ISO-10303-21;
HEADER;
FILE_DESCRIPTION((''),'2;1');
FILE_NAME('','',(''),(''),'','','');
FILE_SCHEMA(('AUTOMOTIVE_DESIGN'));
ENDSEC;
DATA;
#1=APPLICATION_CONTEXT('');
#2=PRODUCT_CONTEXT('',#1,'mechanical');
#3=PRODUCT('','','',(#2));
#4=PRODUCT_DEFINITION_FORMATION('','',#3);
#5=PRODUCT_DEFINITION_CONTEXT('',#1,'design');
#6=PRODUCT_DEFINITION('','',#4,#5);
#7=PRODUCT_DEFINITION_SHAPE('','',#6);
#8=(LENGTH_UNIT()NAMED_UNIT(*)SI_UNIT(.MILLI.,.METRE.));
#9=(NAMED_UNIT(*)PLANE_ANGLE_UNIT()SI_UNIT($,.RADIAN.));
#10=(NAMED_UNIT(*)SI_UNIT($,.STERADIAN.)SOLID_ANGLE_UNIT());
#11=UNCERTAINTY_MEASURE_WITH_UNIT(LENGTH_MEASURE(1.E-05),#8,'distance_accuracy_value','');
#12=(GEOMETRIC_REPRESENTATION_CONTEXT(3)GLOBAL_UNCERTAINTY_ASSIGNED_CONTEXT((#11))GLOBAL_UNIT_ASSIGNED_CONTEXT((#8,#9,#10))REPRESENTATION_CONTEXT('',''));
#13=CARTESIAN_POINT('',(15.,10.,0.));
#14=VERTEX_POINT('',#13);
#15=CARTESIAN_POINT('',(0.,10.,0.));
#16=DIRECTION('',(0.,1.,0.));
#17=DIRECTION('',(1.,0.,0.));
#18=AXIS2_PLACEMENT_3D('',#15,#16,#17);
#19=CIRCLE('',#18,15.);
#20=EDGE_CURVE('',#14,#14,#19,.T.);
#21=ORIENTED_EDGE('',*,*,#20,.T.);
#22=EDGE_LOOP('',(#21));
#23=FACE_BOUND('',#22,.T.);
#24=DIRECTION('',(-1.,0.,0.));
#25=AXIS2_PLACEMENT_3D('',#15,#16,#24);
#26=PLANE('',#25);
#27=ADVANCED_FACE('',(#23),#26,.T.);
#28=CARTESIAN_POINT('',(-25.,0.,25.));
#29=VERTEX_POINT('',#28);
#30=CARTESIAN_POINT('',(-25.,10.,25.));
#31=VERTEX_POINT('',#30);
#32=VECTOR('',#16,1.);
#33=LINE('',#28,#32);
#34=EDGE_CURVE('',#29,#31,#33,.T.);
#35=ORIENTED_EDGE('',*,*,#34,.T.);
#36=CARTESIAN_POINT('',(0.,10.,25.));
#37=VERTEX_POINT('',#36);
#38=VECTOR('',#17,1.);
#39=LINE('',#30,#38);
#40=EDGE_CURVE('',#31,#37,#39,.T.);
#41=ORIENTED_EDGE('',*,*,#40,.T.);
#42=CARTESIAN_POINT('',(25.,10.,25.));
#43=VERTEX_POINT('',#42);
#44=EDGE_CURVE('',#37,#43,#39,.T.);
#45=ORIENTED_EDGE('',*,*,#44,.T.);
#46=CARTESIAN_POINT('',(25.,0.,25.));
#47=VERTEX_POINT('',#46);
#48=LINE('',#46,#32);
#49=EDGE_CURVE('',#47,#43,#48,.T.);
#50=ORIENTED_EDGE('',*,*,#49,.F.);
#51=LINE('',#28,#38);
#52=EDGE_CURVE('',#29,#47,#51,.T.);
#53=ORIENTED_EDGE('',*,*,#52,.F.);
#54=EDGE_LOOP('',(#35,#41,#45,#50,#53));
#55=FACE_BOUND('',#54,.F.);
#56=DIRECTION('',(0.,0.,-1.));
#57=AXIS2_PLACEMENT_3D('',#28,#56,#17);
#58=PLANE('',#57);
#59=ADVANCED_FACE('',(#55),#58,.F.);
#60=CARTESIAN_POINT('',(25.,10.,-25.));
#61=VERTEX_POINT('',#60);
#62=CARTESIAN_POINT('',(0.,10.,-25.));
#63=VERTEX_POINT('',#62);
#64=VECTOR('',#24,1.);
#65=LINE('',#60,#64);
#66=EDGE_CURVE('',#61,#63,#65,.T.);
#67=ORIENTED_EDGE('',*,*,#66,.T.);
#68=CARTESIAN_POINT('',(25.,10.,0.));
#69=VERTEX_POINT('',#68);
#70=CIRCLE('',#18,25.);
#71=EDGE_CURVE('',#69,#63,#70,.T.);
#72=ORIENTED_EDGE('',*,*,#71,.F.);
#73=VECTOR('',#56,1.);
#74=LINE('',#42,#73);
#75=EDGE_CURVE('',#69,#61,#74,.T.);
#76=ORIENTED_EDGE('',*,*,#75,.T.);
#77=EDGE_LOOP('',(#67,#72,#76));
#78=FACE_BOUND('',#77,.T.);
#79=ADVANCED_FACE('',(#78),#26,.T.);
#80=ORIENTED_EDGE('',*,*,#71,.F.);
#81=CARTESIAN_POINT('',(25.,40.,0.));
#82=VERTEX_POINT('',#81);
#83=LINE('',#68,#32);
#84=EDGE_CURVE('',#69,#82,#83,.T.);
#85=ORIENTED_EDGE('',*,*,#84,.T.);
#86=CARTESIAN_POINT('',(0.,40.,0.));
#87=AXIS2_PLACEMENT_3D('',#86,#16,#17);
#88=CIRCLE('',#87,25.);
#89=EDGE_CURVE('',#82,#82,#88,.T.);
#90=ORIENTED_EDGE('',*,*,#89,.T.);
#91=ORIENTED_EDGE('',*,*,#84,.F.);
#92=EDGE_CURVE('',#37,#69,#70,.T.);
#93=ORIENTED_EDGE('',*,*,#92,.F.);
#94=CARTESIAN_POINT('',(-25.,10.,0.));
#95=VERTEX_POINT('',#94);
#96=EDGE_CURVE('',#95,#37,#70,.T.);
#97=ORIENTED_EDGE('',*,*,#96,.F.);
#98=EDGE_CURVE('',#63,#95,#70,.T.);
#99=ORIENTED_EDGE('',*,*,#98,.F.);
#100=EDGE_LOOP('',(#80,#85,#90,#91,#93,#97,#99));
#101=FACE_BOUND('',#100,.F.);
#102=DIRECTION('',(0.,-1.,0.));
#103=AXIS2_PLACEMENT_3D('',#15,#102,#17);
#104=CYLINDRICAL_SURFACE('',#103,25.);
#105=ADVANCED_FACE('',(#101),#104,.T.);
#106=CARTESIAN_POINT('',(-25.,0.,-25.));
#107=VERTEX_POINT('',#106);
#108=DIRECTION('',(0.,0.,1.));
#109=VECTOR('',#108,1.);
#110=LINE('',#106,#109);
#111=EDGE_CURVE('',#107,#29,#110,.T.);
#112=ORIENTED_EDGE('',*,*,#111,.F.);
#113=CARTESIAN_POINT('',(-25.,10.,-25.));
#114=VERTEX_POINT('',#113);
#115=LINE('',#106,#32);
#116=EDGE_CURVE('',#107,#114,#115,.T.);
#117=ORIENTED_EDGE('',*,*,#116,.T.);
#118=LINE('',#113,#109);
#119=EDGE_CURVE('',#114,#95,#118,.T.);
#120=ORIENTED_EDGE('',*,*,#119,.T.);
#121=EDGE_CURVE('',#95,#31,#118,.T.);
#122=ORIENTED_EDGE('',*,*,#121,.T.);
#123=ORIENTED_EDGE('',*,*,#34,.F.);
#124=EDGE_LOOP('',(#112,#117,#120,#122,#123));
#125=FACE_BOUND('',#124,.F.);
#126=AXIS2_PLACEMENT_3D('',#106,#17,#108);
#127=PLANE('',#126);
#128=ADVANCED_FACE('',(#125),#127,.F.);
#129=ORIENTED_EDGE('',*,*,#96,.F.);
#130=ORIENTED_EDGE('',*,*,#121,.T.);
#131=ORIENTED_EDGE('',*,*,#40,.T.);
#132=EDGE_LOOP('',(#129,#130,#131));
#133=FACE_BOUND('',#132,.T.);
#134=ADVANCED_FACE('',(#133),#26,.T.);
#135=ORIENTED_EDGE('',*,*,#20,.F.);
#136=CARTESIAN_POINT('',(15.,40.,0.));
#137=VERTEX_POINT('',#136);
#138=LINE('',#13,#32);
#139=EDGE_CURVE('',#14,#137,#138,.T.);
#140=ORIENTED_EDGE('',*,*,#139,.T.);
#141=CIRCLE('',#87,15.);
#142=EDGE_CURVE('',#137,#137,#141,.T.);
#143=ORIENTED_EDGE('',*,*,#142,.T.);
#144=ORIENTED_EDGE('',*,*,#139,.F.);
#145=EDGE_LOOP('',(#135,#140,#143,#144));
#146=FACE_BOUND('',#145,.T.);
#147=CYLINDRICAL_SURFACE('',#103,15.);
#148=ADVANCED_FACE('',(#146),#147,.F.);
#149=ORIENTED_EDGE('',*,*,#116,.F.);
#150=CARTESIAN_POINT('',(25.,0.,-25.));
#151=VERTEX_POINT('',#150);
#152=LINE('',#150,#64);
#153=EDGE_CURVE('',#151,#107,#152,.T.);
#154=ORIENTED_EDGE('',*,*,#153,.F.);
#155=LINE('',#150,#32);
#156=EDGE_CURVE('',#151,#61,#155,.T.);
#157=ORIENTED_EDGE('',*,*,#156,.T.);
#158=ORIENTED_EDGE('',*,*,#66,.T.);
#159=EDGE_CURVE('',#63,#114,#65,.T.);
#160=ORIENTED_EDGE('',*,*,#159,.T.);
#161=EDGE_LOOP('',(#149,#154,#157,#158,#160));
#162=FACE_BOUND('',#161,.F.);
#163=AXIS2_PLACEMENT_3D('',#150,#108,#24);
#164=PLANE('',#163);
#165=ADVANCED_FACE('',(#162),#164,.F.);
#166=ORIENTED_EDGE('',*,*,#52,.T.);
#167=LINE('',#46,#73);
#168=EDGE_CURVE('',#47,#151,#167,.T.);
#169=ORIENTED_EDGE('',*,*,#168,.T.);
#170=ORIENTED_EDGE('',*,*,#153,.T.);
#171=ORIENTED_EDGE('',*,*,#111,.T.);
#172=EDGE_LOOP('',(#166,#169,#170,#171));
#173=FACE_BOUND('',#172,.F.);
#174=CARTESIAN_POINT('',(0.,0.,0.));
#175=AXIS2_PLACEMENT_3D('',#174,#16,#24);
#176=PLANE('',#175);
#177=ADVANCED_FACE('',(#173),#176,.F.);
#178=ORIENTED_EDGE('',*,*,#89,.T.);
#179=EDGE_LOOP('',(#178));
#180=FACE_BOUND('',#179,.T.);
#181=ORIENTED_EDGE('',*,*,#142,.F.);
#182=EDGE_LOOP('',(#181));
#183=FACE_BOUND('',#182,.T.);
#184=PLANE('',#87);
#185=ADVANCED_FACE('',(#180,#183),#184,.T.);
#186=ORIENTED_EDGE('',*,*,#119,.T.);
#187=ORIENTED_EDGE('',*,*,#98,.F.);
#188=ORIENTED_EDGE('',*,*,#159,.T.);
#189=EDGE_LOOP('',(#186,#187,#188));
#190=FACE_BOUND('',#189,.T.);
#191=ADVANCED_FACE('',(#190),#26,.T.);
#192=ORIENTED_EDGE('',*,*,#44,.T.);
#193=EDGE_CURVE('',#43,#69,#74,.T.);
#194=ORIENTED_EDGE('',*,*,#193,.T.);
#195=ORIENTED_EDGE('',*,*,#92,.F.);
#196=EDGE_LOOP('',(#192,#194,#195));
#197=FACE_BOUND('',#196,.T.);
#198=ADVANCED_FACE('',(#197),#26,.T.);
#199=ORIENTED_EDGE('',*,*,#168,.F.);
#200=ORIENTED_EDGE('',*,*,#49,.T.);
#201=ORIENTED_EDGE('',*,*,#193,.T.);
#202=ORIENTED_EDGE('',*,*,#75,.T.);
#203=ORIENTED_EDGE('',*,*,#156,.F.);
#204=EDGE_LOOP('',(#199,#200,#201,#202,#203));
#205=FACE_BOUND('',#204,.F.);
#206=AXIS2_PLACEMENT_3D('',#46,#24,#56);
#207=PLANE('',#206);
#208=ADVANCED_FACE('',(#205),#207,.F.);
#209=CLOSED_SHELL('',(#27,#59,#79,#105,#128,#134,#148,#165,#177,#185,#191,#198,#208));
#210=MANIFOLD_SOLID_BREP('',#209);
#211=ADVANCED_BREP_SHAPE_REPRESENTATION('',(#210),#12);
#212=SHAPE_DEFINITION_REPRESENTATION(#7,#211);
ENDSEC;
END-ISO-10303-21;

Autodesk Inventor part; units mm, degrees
ref_plane "YZ Plane" through (0, 0, 0) normal (1, 0, 0) x (0, 1, 0)
ref_plane "XZ Plane" through (0, 0, 0) normal (0, 1, 0) x (-1, 0, 0)
ref_plane "XY Plane" through (0, 0, 0) normal (0, 0, 1) x (1, 0, 0)
sketch "Sketch1" plane through (0, 0, 0) normal (0, 1, 0) x (-1, 0, 0)
  line L0 (25, 25) -> (-25, 25)
  line L1 (-25, 25) -> (-25, -25)
  line L2 (-25, -25) -> (25, -25)
  line L3 (25, -25) -> (25, 25)
  line L4 (25, 25) -> (-25, -25) construction
  line L5 (-25, 25) -> (25, -25) construction
  point P0 (0, 0)
  dimension "d0" = 50
  dimension "d1" = 50
extrude "Extrusion1" add sketch "Sketch1" along normal blind 10
sketch "Sketch4" plane through (0, 10, 0) normal (0, 1, 0) x (1, 0, 0)
  circle A0 centre (0, 0) radius 25
  circle A1 centre (0, 0) radius 15
  dimension "d9" = 50
  dimension "d10" = 30
extrude "Extrusion3" add sketch "Sketch4" along normal blind 30
properties part number "Manipulator Base Type2"
